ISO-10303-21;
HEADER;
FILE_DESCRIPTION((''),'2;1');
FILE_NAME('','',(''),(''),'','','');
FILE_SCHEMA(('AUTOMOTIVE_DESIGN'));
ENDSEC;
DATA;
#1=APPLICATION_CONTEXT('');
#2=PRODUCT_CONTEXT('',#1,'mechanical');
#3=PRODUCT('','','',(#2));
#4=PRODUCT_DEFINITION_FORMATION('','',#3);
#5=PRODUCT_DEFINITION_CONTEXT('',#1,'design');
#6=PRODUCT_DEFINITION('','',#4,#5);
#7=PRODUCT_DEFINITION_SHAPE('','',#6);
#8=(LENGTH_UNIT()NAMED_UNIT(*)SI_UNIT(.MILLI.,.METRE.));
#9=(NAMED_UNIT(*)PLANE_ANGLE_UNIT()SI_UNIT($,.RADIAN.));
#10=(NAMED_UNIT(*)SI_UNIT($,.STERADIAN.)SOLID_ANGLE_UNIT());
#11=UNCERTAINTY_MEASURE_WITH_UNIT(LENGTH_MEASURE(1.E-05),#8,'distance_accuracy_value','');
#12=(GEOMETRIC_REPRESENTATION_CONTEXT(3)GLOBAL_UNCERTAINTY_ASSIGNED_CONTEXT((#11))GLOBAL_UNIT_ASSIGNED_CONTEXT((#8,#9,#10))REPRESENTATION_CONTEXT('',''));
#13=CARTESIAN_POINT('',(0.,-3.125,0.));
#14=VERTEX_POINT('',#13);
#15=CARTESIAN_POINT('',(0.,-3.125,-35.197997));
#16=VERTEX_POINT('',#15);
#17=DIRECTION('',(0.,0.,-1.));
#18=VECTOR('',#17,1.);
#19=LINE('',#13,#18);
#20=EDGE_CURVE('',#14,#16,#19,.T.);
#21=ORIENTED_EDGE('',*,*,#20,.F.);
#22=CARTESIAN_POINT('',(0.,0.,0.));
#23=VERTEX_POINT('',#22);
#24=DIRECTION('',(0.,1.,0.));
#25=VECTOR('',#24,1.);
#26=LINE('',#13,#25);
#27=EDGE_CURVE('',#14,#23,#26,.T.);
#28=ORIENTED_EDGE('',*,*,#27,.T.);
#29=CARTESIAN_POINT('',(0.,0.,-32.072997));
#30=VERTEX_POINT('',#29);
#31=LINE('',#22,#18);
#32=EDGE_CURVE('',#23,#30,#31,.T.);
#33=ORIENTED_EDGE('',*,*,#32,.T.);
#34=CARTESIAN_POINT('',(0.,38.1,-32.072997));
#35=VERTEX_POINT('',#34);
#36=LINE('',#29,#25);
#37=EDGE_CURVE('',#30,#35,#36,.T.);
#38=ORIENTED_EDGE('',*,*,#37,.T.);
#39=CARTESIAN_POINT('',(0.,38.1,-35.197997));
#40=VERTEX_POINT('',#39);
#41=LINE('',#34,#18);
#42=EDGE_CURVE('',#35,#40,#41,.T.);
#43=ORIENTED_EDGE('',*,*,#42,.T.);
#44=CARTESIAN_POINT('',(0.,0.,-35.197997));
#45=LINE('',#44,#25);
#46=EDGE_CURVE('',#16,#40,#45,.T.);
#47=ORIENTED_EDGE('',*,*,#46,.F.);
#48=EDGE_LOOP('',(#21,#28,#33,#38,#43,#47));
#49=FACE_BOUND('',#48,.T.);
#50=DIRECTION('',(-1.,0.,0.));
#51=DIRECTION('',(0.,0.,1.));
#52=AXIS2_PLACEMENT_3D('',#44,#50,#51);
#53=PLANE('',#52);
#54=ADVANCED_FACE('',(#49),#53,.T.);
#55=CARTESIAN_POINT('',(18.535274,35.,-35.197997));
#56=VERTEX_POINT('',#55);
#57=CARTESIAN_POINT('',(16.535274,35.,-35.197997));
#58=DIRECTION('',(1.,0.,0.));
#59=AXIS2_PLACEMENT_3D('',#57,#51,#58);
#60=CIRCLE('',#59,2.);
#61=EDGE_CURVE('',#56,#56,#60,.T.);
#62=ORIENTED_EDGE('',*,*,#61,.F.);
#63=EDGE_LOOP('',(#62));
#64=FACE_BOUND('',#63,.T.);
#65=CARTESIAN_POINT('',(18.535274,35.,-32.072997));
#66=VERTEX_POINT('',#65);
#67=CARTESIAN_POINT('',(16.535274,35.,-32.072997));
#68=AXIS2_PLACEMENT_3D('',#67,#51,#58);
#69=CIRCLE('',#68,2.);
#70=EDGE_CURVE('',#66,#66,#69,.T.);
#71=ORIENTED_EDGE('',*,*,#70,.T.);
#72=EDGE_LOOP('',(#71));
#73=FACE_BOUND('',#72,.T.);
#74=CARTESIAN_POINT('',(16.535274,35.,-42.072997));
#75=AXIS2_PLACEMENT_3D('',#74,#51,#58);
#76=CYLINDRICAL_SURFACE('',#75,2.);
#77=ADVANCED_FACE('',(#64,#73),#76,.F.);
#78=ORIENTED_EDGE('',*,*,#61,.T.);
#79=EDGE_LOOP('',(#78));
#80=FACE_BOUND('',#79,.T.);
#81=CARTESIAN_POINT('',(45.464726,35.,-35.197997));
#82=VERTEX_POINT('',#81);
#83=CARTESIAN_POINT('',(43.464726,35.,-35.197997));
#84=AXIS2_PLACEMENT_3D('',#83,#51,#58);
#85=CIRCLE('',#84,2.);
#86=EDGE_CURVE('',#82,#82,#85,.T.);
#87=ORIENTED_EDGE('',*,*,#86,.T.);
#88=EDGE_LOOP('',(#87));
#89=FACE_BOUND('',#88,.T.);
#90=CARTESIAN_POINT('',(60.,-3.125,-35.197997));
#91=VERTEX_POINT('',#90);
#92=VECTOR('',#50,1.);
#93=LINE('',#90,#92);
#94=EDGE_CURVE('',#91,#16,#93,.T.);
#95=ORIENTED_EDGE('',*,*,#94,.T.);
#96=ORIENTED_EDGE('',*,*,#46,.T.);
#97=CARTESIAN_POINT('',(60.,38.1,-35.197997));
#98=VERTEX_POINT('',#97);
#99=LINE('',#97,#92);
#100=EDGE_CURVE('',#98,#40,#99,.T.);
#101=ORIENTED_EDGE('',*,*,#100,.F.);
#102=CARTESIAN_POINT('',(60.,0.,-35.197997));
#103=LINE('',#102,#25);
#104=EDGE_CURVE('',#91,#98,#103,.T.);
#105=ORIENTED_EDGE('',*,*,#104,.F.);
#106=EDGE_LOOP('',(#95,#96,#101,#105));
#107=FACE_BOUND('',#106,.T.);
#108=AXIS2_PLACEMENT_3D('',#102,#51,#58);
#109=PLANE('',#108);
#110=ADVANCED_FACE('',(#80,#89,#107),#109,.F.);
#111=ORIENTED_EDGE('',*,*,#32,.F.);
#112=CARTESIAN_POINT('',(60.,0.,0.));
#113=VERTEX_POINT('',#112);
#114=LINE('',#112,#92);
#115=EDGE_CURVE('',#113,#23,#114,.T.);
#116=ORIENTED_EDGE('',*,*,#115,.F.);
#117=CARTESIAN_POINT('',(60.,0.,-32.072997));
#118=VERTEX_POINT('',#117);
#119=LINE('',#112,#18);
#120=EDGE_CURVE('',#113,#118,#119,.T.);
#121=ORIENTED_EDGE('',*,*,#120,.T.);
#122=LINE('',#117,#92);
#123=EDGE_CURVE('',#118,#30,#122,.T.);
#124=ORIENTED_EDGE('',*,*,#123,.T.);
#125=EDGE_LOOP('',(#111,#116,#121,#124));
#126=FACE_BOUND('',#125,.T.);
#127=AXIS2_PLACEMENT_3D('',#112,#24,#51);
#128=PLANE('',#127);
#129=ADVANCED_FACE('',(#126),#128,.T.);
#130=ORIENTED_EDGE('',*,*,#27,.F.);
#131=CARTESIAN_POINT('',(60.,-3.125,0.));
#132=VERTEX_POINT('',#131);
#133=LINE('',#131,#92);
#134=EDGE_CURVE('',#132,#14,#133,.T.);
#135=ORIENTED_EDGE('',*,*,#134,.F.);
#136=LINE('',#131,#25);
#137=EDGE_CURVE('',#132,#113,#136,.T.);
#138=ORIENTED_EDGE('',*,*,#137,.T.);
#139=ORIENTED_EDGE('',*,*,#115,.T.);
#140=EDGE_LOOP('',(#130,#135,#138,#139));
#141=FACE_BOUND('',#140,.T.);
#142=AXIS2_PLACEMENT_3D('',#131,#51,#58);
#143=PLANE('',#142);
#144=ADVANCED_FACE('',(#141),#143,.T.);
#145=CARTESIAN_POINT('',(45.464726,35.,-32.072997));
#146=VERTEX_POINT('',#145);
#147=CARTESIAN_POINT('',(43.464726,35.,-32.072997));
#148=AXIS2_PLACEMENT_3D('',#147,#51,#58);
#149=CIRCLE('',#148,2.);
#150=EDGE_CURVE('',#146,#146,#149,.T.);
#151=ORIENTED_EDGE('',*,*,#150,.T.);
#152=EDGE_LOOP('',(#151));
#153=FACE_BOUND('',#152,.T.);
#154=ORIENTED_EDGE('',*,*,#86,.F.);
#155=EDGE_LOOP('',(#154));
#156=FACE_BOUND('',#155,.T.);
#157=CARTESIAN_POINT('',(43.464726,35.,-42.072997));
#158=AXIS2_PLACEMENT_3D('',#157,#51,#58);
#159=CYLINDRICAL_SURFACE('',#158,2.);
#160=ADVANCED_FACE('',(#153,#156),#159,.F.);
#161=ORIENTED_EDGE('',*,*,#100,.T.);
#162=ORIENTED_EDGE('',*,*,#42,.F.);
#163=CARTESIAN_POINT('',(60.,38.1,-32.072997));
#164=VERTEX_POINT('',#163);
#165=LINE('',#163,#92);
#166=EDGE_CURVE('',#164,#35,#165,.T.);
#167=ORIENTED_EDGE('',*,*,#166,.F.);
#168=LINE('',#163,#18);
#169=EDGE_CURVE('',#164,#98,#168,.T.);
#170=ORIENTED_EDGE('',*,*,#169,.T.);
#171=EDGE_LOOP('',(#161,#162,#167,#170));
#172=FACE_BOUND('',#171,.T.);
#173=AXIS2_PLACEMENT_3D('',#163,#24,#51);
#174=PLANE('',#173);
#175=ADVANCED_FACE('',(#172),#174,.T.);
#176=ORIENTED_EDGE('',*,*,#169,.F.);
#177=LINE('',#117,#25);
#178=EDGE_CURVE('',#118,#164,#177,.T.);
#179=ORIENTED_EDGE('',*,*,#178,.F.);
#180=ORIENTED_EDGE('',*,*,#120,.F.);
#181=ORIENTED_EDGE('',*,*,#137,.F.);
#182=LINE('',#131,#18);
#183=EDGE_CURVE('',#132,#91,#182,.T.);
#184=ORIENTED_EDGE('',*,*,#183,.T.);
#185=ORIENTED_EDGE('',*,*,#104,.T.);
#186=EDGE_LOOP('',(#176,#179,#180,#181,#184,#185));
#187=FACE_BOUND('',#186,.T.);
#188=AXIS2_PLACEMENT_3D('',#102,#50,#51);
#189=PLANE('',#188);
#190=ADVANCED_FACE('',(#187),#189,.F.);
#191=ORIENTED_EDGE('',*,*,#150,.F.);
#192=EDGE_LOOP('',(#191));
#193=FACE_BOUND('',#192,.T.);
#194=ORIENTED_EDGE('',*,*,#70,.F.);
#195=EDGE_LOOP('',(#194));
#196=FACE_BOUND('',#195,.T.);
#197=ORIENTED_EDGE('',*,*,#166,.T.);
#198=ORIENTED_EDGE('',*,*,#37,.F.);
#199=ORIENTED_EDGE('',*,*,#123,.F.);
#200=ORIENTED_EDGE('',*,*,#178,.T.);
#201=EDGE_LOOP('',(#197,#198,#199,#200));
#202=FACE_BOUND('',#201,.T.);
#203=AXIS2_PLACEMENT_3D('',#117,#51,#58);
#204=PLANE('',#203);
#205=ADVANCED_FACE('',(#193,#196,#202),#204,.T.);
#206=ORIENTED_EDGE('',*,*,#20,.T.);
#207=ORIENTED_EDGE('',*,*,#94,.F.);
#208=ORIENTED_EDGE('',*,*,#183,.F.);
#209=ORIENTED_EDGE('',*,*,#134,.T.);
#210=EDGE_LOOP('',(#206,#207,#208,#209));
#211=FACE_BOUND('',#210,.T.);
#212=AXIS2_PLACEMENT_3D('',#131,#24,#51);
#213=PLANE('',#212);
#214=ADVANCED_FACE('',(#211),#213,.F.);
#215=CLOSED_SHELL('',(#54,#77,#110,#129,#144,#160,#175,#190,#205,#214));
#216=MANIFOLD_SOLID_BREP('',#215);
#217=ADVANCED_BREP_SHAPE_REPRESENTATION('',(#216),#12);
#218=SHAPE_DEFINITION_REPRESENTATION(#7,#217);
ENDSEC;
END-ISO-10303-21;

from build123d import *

# Parameters (mm, degrees)
EXTRUDE_THIN1_DEPTH   = 60
ESBO_O1_R             = 2
CORTE_EXTRUS_O1_DEPTH = 10


with BuildPart() as part:
    # Sketch1 → Extrude-Thin1 (new body)
    with BuildSketch(Plane(origin=(0, 0, 0), x_dir=(0, 0, -1), z_dir=(1, 0, 0))):
        Polygon((0, 0), (32.072996578, 0), (32.072996578, 38.1), (35.197996578, 38.1), (35.197996578, -3.125), (0, -3.125), align=None)
    extrude(amount=EXTRUDE_THIN1_DEPTH)

    # Esboço1 → Corte-extrusão1 (cut)
    with BuildSketch(Plane.XY.offset(-32.072996578)):
        with Locations((16.535273903, 35)):
            Circle(ESBO_O1_R)
        with Locations((43.464726097, 35)):
            Circle(ESBO_O1_R)
    extrude(amount=-CORTE_EXTRUS_O1_DEPTH, mode=Mode.SUBTRACT)


solid = part.part
